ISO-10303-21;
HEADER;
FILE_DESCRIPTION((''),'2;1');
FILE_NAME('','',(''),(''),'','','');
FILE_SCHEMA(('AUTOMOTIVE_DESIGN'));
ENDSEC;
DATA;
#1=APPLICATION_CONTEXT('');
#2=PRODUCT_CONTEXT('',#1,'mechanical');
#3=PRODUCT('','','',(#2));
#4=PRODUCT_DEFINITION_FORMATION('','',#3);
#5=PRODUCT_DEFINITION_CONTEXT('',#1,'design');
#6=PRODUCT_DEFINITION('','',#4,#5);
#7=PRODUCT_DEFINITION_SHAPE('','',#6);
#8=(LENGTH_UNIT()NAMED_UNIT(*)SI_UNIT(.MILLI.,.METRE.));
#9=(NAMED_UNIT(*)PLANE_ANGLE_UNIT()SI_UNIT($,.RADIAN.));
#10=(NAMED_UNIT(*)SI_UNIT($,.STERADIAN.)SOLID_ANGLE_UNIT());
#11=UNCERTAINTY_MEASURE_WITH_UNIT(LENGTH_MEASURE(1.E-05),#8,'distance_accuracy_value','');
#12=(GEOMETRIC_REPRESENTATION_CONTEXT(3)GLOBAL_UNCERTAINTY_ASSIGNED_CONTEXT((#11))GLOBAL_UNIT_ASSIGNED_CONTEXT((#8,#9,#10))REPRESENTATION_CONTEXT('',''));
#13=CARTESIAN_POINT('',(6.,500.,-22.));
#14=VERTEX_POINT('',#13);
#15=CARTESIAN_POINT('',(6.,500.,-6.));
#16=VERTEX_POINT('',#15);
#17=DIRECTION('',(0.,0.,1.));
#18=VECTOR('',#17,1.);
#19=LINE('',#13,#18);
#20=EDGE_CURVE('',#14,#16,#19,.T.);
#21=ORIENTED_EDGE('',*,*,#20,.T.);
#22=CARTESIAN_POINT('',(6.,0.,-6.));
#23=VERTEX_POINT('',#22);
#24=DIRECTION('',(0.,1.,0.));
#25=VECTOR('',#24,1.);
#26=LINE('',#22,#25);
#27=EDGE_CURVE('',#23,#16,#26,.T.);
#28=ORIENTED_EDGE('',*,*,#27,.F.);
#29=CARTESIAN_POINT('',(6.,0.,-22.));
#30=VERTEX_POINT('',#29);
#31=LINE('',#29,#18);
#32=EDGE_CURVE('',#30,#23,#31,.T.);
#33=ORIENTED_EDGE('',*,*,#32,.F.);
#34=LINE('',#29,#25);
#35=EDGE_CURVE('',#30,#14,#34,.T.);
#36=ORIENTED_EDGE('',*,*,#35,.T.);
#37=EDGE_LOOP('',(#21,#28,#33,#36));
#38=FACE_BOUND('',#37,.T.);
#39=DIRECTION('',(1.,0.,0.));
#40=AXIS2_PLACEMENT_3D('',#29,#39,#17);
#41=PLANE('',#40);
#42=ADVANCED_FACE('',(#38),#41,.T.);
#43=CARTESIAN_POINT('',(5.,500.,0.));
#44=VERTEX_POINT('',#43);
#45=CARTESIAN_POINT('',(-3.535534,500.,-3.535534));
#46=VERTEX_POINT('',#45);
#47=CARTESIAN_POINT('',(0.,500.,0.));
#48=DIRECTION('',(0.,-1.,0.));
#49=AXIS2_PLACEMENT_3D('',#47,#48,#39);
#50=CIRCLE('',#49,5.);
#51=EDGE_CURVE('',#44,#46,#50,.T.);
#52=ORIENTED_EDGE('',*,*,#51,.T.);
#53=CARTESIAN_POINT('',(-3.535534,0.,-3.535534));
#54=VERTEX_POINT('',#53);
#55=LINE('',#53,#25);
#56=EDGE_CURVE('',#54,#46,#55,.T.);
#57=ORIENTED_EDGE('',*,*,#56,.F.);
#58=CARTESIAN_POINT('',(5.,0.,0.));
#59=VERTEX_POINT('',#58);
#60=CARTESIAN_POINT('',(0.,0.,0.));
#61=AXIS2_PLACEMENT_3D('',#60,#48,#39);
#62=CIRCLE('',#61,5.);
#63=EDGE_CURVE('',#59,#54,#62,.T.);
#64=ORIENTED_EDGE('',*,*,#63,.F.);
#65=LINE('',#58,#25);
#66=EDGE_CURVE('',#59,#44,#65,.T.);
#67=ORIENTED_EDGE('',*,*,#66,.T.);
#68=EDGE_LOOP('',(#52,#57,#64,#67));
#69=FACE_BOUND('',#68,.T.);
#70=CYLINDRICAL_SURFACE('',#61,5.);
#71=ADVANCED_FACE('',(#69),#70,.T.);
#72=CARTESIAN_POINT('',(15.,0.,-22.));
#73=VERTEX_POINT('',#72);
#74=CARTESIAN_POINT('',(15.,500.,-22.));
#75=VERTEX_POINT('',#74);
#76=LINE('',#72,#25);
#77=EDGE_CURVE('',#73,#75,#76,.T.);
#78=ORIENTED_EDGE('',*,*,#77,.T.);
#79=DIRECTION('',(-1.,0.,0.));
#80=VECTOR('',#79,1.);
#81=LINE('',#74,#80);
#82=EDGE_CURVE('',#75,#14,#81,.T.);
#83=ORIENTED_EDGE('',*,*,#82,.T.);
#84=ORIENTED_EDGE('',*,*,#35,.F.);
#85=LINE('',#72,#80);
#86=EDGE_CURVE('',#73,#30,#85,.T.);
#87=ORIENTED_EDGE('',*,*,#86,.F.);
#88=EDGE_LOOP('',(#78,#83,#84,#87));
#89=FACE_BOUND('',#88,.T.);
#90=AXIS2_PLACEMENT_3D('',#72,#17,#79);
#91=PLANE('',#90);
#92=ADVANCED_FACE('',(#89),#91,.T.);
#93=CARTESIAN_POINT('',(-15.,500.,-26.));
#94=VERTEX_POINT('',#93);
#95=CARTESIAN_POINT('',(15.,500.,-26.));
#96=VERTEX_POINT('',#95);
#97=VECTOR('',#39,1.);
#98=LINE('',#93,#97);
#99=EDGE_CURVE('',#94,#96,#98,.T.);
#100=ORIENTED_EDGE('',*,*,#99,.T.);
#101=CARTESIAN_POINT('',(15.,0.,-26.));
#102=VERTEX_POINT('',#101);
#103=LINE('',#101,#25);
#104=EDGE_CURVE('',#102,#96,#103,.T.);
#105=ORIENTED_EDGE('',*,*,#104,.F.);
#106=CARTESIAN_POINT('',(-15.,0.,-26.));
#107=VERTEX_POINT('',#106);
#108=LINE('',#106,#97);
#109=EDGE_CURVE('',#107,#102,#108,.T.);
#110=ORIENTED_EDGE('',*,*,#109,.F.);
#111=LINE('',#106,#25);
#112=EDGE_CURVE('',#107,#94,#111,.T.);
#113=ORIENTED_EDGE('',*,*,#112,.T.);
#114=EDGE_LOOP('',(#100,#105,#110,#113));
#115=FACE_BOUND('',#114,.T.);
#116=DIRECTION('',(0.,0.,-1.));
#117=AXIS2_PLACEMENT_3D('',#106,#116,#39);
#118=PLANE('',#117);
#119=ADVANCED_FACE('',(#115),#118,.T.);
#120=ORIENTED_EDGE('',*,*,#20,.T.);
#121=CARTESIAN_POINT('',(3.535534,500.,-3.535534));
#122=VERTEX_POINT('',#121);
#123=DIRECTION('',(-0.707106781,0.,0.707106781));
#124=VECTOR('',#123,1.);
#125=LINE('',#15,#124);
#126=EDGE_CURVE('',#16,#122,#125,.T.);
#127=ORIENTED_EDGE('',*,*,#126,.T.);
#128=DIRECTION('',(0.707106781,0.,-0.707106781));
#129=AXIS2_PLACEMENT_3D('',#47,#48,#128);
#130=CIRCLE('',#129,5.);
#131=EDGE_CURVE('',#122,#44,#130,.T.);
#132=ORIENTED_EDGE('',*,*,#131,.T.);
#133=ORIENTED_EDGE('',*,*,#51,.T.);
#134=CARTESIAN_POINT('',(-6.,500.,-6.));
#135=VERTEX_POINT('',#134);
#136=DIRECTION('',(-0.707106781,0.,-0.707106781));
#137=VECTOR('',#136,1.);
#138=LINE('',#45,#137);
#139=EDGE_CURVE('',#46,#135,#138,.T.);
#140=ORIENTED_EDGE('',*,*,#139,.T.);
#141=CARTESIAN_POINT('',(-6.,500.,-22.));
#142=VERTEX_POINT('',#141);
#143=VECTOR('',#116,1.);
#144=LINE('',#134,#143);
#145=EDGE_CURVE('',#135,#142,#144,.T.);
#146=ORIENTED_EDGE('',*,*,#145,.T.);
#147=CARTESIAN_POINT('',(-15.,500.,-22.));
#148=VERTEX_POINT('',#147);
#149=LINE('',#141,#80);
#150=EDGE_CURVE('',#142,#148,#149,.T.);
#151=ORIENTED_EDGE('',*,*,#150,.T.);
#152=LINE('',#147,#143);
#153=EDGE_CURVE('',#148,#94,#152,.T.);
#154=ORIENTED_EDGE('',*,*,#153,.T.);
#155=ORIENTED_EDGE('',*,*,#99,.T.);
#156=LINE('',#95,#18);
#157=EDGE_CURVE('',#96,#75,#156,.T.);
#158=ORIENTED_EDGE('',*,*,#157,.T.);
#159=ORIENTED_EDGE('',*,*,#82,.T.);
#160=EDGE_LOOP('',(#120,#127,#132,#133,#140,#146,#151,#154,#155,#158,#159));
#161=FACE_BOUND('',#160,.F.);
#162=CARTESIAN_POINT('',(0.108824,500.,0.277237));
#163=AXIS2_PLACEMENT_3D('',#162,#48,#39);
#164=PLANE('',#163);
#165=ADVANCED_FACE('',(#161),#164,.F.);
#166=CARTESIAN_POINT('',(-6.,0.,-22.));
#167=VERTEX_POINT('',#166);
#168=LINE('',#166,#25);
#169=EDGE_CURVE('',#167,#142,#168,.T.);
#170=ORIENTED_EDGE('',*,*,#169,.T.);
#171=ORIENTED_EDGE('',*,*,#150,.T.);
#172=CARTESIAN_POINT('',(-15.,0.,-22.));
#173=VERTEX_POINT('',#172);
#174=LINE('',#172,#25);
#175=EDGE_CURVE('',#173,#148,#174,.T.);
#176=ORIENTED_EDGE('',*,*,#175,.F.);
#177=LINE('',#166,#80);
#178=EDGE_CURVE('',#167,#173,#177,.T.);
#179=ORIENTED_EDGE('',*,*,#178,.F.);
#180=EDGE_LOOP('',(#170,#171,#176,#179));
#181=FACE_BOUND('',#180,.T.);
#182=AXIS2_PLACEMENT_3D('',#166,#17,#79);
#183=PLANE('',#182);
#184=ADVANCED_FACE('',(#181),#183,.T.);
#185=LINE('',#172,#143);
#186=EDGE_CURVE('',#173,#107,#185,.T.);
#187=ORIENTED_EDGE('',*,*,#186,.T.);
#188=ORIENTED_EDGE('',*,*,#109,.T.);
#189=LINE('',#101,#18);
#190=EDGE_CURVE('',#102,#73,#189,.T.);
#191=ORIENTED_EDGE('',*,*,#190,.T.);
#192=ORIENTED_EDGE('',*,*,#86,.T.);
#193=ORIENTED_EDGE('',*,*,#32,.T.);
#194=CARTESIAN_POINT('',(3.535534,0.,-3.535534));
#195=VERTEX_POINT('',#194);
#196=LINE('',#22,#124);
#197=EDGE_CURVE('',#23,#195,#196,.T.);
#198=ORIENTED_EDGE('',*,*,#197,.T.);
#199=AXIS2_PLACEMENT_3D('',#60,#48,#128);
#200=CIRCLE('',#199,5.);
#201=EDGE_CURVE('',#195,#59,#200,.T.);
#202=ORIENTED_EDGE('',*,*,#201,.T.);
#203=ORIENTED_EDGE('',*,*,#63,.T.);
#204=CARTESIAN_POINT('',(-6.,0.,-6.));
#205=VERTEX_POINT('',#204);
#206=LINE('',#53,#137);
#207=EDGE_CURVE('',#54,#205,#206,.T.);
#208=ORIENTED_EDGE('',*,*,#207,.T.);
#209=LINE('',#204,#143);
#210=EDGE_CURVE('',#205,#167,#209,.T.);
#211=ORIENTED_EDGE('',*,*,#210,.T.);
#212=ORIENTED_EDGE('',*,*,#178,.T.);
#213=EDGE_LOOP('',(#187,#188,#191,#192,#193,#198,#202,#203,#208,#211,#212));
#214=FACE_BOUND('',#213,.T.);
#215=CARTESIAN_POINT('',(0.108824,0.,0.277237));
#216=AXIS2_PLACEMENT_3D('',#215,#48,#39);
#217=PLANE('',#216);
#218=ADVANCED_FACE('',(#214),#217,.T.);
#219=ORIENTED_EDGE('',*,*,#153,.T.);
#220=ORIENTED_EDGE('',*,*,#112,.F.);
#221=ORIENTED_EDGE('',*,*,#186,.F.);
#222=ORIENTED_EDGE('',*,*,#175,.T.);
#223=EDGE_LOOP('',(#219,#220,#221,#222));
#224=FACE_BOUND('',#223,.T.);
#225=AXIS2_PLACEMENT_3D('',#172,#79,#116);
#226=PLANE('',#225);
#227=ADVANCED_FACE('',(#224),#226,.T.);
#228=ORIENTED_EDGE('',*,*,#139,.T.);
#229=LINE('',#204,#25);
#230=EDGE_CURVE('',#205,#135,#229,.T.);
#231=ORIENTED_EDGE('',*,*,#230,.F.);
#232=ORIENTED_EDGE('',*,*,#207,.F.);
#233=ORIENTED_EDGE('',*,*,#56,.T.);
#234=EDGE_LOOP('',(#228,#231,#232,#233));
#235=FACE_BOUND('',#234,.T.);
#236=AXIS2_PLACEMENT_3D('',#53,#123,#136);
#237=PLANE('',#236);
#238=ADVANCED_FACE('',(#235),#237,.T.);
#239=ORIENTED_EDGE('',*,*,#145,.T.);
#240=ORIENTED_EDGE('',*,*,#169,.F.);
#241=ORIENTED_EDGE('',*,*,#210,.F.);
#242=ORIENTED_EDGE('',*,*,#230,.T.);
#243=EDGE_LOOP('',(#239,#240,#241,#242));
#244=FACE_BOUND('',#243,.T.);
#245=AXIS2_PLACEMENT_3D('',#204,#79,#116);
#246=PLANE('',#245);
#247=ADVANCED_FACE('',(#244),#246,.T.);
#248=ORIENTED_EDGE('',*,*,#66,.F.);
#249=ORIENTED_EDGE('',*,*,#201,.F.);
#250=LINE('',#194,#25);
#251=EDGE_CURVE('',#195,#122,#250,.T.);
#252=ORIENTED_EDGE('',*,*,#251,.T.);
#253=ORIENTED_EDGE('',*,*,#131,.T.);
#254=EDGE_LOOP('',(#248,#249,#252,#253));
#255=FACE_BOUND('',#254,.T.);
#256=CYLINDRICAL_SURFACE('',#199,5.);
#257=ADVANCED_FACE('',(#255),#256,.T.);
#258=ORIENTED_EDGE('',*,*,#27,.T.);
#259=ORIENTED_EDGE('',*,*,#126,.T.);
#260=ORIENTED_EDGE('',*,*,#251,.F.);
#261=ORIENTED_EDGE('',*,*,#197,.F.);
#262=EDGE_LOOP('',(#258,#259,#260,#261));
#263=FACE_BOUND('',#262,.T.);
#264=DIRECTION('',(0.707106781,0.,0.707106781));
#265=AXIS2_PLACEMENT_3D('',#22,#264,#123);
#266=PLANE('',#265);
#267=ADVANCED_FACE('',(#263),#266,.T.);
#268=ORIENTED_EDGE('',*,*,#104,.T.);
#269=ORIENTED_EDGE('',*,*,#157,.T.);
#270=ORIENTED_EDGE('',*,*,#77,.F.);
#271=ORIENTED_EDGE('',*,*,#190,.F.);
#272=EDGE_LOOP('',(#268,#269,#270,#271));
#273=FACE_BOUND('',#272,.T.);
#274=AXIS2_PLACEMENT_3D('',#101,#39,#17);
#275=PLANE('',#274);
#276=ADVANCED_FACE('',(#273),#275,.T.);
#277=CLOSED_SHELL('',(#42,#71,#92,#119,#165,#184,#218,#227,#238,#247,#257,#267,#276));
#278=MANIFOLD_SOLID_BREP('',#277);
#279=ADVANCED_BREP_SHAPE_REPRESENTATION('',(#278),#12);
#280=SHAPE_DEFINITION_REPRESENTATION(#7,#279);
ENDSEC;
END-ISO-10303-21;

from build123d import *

# Parameters (mm, degrees)
F1_DEPTH = 500


with BuildPart() as f1:
    # F0 (on Front) → F1 (new body)
    with BuildSketch(Plane.XZ):
        with BuildLine():
            ThreePointArc((3.5355339059, -3.5355339059), (4.6193976626, -1.9134171618), (5, 0))
            ThreePointArc((5, 0), (-1.9134171618, 4.6193976626), (-3.5355339059, -3.5355339059))
            Line((-3.5355339059, -3.5355339059), (0, 0))
            Line((0, 0), (3.5355339059, -3.5355339059))
        make_face()
        with BuildLine():
            Line((0, 0), (-3.5355339059, -3.5355339059))
            ThreePointArc((-3.5355339059, -3.5355339059), (-1.9134171618, -4.6193976626), (0, -5))
            Line((0, -5), (0, 0))
        make_face()
        with BuildLine():
            ThreePointArc((0, -5), (-1.9134171618, -4.6193976626), (-3.5355339059, -3.5355339059))
            Line((-3.5355339059, -3.5355339059), (-6, -6))
            Line((-6, -6), (-6, -22))
            Line((-6, -22), (0, -22))
            Line((0, -22), (0, -5))
        make_face()
        with BuildLine():
            Line((6, -6), (3.5355339059, -3.5355339059))
            ThreePointArc((3.5355339059, -3.5355339059), (1.9134171618, -4.6193976626), (0, -5))
            Line((0, -5), (0, -22))
            Line((0, -22), (6, -22))
            Line((6, -22), (6, -6))
        make_face()
        with BuildLine():
            ThreePointArc((0, -5), (1.9134171618, -4.6193976626), (3.5355339059, -3.5355339059))
            Line((3.5355339059, -3.5355339059), (0, 0))
            Line((0, 0), (0, -5))
        make_face()
        Polygon((6, -22), (0, -22), (0, -26), (15, -26), (15, -22), align=None)
        Polygon((0, -26), (0, -22), (-6, -22), (-15, -22), (-15, -26), align=None)
    extrude(amount=-F1_DEPTH)


solid = f1.part
